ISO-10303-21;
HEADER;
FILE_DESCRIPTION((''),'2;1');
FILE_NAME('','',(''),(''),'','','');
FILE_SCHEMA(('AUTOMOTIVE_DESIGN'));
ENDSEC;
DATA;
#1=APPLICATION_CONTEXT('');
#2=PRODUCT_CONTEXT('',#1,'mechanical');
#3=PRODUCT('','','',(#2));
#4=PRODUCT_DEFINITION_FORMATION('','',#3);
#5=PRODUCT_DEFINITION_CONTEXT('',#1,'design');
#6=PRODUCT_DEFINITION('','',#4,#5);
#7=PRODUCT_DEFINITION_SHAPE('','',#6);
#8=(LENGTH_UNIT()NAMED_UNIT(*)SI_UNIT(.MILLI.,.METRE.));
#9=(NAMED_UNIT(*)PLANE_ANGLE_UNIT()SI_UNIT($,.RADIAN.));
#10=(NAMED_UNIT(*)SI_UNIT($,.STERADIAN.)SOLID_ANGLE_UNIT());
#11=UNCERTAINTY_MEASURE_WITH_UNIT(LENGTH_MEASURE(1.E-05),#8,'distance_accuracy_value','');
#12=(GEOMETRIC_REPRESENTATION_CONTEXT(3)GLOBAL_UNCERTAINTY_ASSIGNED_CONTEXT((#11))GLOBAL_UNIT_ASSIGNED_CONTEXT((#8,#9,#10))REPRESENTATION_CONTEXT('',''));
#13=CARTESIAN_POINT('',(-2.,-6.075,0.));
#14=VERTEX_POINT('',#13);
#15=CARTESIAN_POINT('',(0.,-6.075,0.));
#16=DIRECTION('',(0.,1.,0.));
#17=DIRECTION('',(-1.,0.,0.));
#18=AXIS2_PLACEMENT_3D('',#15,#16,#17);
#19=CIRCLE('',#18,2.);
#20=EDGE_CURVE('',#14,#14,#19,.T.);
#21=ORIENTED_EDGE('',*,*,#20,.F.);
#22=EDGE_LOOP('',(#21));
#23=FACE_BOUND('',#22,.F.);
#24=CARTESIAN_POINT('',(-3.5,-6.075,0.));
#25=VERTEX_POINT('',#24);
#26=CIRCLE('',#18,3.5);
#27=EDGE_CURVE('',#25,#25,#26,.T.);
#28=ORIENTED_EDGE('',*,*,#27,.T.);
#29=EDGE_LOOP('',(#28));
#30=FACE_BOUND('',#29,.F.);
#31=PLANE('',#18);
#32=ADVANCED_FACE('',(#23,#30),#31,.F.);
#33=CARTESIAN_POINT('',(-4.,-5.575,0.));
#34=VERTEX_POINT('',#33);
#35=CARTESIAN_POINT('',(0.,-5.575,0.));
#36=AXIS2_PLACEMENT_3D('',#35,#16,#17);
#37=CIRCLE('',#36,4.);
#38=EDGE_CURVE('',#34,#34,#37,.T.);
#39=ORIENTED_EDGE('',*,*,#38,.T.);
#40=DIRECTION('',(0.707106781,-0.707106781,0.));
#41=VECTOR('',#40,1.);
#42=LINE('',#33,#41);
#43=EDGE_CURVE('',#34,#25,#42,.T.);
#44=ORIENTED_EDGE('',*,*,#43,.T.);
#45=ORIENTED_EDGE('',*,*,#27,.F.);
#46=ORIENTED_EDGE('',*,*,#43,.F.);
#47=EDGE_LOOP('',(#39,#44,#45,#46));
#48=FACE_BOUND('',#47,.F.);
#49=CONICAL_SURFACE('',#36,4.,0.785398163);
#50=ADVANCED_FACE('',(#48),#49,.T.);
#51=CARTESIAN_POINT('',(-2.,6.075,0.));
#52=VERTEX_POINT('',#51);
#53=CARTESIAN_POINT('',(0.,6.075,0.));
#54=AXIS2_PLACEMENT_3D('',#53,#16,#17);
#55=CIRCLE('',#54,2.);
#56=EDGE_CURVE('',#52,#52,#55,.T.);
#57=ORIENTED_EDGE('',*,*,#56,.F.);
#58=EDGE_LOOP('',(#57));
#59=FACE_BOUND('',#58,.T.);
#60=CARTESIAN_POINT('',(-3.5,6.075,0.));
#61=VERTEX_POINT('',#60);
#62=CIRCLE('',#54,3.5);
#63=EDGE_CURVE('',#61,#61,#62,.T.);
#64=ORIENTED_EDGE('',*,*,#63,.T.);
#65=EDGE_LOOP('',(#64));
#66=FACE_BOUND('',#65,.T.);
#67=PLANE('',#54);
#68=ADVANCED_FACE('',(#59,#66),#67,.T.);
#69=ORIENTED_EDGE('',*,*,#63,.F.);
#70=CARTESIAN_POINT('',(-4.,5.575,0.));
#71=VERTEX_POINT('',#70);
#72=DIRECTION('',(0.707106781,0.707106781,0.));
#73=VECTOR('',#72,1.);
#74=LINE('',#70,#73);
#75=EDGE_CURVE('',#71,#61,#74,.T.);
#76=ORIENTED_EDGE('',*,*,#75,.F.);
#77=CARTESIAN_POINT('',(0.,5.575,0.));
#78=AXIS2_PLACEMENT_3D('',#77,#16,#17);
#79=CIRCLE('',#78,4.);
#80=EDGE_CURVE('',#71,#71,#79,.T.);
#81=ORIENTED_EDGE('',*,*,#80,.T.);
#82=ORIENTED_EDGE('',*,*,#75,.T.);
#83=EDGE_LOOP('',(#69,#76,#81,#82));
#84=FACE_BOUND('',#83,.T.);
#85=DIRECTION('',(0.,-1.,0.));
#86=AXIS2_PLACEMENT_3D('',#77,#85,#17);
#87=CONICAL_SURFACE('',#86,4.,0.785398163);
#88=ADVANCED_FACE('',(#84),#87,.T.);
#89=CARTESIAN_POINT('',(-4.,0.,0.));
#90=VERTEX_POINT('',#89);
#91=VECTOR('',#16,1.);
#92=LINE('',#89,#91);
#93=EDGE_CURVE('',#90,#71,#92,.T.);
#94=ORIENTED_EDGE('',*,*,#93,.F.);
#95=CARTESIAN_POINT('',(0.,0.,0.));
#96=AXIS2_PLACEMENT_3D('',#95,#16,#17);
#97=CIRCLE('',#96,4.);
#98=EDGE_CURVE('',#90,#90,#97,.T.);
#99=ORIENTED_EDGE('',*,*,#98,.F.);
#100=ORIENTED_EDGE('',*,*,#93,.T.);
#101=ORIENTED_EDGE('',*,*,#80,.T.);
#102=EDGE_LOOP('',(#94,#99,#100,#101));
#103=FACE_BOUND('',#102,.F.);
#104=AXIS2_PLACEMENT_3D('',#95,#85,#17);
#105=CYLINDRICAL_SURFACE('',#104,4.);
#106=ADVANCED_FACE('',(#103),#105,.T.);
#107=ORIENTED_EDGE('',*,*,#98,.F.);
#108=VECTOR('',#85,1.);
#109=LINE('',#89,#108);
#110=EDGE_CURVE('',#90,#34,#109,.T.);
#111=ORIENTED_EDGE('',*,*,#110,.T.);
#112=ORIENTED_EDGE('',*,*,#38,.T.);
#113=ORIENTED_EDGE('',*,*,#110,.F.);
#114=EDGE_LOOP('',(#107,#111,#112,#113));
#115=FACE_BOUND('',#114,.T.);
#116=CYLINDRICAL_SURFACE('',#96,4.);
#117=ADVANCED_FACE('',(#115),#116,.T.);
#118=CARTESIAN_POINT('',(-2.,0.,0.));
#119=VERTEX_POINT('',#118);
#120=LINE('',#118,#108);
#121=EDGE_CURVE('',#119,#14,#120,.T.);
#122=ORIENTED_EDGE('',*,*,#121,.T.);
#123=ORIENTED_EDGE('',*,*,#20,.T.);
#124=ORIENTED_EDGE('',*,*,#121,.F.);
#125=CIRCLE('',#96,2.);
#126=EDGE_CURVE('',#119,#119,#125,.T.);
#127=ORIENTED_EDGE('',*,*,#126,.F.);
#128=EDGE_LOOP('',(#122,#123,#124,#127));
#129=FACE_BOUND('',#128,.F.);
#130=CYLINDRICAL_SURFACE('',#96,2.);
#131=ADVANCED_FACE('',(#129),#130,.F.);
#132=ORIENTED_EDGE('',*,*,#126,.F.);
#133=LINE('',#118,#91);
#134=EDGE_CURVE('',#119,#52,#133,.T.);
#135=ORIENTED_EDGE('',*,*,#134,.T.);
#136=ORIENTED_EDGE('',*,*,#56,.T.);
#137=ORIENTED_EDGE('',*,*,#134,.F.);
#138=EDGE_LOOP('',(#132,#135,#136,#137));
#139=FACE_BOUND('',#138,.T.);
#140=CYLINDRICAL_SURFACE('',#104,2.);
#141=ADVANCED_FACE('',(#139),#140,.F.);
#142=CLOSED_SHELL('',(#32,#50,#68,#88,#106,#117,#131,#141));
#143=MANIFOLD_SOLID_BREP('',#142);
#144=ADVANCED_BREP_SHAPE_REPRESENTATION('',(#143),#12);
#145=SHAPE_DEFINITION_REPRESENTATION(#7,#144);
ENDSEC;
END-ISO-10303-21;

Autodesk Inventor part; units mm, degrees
ref_plane "YZ Plane" through (0, 0, 0) normal (1, 0, 0) x (0, 1, 0)
ref_plane "XZ Plane" through (0, 0, 0) normal (0, 1, 0) x (-1, 0, 0)
ref_plane "XY Plane" through (0, 0, 0) normal (0, 0, 1) x (1, 0, 0)
sketch "Sketch1" plane through (0, 0, 0) normal (0, 1, 0) x (-1, 0, 0)
  circle A0 centre (0, 0) radius 2
  circle A1 centre (0, 0) radius 4
  dimension "d0" = 4
  dimension "d1" = 8
extrude "Extrusion1" add sketch "Sketch1" along normal mid plane 12.15
chamfer "Chamfer1" distance 0.5 angle 45 2 edges at (4, 6.075, 0) (4, -6.075, 0)
properties part number "12,15mm Spacer"
